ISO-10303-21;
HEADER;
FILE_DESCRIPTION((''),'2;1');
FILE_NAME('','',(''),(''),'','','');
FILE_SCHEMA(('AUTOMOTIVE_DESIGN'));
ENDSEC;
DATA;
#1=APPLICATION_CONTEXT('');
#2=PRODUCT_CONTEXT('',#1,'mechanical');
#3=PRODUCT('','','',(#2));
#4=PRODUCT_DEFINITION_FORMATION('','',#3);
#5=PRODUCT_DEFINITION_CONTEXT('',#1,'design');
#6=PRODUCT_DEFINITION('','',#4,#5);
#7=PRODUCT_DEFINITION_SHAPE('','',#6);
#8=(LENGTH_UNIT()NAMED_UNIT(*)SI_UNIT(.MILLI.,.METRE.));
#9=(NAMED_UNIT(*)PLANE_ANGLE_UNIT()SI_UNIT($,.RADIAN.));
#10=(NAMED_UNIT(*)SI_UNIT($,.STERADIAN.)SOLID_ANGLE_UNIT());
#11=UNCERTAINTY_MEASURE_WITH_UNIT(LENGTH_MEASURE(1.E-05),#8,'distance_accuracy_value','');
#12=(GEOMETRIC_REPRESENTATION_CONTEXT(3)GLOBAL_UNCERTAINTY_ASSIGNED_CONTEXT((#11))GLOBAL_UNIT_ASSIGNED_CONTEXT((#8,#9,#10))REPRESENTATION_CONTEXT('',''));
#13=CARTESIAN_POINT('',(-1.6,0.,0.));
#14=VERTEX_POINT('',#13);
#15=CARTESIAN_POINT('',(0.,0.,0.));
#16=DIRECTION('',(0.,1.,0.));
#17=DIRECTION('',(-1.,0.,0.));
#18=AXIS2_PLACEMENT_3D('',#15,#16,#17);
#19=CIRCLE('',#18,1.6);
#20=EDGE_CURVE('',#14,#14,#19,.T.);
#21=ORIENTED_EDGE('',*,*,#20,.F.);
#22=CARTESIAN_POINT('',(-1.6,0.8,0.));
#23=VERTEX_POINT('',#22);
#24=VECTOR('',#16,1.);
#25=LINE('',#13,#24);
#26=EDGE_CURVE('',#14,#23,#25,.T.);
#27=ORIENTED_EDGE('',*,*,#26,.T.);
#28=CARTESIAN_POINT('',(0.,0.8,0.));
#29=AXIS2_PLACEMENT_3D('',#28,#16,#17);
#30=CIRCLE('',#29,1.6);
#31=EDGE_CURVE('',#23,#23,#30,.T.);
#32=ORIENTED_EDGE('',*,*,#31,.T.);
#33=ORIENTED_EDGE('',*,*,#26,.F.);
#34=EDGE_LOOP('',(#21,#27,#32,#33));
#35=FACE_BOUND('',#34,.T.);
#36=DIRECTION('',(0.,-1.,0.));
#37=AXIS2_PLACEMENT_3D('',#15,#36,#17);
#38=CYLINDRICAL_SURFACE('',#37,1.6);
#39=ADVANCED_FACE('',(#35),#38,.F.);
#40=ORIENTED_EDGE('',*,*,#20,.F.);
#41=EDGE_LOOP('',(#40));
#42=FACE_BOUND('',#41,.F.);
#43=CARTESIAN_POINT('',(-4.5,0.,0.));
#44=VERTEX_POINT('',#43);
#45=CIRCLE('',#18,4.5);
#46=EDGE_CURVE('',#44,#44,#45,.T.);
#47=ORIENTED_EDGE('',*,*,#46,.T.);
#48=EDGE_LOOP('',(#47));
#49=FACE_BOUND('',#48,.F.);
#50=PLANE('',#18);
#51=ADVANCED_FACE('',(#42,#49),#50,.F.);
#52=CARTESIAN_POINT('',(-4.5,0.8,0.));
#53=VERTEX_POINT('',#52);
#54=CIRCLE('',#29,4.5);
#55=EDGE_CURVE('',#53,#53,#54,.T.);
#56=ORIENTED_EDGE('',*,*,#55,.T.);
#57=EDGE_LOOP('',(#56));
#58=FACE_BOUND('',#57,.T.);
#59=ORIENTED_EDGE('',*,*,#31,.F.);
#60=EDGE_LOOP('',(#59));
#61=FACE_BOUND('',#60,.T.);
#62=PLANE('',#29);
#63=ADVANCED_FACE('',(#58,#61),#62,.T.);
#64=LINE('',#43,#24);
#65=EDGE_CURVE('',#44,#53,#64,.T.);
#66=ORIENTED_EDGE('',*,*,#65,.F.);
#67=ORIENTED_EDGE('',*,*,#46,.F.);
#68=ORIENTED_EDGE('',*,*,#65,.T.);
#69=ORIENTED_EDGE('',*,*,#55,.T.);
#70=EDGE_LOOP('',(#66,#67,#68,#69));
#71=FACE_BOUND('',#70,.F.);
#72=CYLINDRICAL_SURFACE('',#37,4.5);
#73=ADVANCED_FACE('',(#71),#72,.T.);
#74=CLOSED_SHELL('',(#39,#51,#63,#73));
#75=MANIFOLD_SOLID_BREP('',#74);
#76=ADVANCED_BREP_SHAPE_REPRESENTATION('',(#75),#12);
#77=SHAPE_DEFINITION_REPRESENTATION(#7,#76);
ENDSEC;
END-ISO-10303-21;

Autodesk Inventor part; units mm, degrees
ref_plane "YZ Plane" through (0, 0, 0) normal (1, 0, 0) x (0, 1, 0)
ref_plane "XZ Plane" through (0, 0, 0) normal (0, 1, 0) x (-1, 0, 0)
ref_plane "XY Plane" through (0, 0, 0) normal (0, 0, 1) x (1, 0, 0)
sketch "Sketch1" plane through (0, 0, 0) normal (0, 1, 0) x (-1, 0, 0)
  circle A0 centre (0, 0) radius 1.6
  circle A1 centre (0, 0) radius 4.5
  dimension "d0" = 3.2
  dimension "d1" = 9
extrude "Extrusion1" add sketch "Sketch1" along normal blind 0.8
properties part number "M3FenderWasher"
